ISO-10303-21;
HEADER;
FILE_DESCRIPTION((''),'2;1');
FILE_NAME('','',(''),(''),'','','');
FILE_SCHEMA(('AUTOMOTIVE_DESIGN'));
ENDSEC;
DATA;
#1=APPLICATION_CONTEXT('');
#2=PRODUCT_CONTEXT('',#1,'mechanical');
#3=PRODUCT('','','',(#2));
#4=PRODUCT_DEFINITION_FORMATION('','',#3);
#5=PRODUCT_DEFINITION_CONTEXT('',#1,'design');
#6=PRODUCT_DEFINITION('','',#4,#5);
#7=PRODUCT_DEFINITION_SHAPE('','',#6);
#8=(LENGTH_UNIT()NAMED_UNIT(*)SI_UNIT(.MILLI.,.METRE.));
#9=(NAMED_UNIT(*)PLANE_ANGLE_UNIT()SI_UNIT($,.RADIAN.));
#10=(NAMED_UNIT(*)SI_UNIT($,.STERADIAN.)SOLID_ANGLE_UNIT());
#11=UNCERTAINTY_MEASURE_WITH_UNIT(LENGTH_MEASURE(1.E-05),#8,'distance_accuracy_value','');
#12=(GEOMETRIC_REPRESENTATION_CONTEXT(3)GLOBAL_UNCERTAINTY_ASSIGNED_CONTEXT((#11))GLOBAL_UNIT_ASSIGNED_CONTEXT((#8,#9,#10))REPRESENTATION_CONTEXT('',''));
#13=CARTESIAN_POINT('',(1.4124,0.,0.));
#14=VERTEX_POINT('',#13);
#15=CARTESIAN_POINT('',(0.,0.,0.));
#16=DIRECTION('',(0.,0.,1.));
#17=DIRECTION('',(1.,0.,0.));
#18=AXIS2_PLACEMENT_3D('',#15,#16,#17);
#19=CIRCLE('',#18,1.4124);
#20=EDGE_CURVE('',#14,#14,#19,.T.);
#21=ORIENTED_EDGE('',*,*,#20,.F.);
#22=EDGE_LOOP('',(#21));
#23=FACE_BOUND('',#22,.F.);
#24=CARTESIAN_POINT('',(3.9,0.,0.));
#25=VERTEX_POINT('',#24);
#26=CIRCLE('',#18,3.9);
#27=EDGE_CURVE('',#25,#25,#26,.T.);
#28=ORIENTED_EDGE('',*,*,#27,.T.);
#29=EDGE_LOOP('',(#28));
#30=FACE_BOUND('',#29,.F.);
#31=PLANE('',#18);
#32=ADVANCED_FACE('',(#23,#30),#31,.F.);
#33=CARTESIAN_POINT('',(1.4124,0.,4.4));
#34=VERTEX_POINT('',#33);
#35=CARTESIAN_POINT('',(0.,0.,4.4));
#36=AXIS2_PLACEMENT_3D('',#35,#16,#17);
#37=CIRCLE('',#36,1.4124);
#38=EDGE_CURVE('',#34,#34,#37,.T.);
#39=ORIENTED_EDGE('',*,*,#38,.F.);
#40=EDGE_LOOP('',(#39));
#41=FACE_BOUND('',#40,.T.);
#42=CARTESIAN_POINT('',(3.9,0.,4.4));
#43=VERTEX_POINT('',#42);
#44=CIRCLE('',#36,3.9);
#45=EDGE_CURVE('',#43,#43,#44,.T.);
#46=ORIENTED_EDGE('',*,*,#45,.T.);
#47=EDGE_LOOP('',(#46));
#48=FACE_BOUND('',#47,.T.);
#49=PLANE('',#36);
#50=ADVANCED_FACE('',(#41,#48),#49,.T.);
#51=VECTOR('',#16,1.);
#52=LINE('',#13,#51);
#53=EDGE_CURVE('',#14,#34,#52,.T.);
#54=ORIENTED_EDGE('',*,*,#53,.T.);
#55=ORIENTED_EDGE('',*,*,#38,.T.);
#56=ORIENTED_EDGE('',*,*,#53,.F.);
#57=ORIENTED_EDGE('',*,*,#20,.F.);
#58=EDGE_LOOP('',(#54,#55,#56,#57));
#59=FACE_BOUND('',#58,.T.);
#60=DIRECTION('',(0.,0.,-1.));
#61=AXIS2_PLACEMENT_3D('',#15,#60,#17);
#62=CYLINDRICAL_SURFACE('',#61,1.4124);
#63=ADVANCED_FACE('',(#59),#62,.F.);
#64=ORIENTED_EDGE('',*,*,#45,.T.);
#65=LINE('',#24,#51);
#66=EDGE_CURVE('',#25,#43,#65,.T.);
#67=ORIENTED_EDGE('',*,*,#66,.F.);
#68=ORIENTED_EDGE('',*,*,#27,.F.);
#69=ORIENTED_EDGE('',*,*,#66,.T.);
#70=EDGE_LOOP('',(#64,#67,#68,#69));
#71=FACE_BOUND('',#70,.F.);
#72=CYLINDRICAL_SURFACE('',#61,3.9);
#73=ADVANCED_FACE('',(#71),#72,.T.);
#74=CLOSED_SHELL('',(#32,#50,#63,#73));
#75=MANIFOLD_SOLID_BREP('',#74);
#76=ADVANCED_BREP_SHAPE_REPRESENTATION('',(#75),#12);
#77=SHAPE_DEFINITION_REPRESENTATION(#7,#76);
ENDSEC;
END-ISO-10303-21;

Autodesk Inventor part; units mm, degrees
ref_plane "YZ Plane" through (0, 0, 0) normal (1, 0, 0) x (0, 1, 0)
ref_plane "XZ Plane" through (0, 0, 0) normal (0, 1, 0) x (-1, 0, 0)
ref_plane "XY Plane" through (0, 0, 0) normal (0, 0, 1) x (1, 0, 0)
sketch "Skizze1" plane through (0, 0, 0) normal (0, 0, 1) x (1, 0, 0)
  circle A0 centre (0, 0) radius 3.9
  circle A1 centre (0, 0) radius 1.4124
  dimension "d0" = 7.8
extrude "Extrusion1" add sketch "Skizze1" along normal blind 4.4
properties part number "00_OV_lens"
